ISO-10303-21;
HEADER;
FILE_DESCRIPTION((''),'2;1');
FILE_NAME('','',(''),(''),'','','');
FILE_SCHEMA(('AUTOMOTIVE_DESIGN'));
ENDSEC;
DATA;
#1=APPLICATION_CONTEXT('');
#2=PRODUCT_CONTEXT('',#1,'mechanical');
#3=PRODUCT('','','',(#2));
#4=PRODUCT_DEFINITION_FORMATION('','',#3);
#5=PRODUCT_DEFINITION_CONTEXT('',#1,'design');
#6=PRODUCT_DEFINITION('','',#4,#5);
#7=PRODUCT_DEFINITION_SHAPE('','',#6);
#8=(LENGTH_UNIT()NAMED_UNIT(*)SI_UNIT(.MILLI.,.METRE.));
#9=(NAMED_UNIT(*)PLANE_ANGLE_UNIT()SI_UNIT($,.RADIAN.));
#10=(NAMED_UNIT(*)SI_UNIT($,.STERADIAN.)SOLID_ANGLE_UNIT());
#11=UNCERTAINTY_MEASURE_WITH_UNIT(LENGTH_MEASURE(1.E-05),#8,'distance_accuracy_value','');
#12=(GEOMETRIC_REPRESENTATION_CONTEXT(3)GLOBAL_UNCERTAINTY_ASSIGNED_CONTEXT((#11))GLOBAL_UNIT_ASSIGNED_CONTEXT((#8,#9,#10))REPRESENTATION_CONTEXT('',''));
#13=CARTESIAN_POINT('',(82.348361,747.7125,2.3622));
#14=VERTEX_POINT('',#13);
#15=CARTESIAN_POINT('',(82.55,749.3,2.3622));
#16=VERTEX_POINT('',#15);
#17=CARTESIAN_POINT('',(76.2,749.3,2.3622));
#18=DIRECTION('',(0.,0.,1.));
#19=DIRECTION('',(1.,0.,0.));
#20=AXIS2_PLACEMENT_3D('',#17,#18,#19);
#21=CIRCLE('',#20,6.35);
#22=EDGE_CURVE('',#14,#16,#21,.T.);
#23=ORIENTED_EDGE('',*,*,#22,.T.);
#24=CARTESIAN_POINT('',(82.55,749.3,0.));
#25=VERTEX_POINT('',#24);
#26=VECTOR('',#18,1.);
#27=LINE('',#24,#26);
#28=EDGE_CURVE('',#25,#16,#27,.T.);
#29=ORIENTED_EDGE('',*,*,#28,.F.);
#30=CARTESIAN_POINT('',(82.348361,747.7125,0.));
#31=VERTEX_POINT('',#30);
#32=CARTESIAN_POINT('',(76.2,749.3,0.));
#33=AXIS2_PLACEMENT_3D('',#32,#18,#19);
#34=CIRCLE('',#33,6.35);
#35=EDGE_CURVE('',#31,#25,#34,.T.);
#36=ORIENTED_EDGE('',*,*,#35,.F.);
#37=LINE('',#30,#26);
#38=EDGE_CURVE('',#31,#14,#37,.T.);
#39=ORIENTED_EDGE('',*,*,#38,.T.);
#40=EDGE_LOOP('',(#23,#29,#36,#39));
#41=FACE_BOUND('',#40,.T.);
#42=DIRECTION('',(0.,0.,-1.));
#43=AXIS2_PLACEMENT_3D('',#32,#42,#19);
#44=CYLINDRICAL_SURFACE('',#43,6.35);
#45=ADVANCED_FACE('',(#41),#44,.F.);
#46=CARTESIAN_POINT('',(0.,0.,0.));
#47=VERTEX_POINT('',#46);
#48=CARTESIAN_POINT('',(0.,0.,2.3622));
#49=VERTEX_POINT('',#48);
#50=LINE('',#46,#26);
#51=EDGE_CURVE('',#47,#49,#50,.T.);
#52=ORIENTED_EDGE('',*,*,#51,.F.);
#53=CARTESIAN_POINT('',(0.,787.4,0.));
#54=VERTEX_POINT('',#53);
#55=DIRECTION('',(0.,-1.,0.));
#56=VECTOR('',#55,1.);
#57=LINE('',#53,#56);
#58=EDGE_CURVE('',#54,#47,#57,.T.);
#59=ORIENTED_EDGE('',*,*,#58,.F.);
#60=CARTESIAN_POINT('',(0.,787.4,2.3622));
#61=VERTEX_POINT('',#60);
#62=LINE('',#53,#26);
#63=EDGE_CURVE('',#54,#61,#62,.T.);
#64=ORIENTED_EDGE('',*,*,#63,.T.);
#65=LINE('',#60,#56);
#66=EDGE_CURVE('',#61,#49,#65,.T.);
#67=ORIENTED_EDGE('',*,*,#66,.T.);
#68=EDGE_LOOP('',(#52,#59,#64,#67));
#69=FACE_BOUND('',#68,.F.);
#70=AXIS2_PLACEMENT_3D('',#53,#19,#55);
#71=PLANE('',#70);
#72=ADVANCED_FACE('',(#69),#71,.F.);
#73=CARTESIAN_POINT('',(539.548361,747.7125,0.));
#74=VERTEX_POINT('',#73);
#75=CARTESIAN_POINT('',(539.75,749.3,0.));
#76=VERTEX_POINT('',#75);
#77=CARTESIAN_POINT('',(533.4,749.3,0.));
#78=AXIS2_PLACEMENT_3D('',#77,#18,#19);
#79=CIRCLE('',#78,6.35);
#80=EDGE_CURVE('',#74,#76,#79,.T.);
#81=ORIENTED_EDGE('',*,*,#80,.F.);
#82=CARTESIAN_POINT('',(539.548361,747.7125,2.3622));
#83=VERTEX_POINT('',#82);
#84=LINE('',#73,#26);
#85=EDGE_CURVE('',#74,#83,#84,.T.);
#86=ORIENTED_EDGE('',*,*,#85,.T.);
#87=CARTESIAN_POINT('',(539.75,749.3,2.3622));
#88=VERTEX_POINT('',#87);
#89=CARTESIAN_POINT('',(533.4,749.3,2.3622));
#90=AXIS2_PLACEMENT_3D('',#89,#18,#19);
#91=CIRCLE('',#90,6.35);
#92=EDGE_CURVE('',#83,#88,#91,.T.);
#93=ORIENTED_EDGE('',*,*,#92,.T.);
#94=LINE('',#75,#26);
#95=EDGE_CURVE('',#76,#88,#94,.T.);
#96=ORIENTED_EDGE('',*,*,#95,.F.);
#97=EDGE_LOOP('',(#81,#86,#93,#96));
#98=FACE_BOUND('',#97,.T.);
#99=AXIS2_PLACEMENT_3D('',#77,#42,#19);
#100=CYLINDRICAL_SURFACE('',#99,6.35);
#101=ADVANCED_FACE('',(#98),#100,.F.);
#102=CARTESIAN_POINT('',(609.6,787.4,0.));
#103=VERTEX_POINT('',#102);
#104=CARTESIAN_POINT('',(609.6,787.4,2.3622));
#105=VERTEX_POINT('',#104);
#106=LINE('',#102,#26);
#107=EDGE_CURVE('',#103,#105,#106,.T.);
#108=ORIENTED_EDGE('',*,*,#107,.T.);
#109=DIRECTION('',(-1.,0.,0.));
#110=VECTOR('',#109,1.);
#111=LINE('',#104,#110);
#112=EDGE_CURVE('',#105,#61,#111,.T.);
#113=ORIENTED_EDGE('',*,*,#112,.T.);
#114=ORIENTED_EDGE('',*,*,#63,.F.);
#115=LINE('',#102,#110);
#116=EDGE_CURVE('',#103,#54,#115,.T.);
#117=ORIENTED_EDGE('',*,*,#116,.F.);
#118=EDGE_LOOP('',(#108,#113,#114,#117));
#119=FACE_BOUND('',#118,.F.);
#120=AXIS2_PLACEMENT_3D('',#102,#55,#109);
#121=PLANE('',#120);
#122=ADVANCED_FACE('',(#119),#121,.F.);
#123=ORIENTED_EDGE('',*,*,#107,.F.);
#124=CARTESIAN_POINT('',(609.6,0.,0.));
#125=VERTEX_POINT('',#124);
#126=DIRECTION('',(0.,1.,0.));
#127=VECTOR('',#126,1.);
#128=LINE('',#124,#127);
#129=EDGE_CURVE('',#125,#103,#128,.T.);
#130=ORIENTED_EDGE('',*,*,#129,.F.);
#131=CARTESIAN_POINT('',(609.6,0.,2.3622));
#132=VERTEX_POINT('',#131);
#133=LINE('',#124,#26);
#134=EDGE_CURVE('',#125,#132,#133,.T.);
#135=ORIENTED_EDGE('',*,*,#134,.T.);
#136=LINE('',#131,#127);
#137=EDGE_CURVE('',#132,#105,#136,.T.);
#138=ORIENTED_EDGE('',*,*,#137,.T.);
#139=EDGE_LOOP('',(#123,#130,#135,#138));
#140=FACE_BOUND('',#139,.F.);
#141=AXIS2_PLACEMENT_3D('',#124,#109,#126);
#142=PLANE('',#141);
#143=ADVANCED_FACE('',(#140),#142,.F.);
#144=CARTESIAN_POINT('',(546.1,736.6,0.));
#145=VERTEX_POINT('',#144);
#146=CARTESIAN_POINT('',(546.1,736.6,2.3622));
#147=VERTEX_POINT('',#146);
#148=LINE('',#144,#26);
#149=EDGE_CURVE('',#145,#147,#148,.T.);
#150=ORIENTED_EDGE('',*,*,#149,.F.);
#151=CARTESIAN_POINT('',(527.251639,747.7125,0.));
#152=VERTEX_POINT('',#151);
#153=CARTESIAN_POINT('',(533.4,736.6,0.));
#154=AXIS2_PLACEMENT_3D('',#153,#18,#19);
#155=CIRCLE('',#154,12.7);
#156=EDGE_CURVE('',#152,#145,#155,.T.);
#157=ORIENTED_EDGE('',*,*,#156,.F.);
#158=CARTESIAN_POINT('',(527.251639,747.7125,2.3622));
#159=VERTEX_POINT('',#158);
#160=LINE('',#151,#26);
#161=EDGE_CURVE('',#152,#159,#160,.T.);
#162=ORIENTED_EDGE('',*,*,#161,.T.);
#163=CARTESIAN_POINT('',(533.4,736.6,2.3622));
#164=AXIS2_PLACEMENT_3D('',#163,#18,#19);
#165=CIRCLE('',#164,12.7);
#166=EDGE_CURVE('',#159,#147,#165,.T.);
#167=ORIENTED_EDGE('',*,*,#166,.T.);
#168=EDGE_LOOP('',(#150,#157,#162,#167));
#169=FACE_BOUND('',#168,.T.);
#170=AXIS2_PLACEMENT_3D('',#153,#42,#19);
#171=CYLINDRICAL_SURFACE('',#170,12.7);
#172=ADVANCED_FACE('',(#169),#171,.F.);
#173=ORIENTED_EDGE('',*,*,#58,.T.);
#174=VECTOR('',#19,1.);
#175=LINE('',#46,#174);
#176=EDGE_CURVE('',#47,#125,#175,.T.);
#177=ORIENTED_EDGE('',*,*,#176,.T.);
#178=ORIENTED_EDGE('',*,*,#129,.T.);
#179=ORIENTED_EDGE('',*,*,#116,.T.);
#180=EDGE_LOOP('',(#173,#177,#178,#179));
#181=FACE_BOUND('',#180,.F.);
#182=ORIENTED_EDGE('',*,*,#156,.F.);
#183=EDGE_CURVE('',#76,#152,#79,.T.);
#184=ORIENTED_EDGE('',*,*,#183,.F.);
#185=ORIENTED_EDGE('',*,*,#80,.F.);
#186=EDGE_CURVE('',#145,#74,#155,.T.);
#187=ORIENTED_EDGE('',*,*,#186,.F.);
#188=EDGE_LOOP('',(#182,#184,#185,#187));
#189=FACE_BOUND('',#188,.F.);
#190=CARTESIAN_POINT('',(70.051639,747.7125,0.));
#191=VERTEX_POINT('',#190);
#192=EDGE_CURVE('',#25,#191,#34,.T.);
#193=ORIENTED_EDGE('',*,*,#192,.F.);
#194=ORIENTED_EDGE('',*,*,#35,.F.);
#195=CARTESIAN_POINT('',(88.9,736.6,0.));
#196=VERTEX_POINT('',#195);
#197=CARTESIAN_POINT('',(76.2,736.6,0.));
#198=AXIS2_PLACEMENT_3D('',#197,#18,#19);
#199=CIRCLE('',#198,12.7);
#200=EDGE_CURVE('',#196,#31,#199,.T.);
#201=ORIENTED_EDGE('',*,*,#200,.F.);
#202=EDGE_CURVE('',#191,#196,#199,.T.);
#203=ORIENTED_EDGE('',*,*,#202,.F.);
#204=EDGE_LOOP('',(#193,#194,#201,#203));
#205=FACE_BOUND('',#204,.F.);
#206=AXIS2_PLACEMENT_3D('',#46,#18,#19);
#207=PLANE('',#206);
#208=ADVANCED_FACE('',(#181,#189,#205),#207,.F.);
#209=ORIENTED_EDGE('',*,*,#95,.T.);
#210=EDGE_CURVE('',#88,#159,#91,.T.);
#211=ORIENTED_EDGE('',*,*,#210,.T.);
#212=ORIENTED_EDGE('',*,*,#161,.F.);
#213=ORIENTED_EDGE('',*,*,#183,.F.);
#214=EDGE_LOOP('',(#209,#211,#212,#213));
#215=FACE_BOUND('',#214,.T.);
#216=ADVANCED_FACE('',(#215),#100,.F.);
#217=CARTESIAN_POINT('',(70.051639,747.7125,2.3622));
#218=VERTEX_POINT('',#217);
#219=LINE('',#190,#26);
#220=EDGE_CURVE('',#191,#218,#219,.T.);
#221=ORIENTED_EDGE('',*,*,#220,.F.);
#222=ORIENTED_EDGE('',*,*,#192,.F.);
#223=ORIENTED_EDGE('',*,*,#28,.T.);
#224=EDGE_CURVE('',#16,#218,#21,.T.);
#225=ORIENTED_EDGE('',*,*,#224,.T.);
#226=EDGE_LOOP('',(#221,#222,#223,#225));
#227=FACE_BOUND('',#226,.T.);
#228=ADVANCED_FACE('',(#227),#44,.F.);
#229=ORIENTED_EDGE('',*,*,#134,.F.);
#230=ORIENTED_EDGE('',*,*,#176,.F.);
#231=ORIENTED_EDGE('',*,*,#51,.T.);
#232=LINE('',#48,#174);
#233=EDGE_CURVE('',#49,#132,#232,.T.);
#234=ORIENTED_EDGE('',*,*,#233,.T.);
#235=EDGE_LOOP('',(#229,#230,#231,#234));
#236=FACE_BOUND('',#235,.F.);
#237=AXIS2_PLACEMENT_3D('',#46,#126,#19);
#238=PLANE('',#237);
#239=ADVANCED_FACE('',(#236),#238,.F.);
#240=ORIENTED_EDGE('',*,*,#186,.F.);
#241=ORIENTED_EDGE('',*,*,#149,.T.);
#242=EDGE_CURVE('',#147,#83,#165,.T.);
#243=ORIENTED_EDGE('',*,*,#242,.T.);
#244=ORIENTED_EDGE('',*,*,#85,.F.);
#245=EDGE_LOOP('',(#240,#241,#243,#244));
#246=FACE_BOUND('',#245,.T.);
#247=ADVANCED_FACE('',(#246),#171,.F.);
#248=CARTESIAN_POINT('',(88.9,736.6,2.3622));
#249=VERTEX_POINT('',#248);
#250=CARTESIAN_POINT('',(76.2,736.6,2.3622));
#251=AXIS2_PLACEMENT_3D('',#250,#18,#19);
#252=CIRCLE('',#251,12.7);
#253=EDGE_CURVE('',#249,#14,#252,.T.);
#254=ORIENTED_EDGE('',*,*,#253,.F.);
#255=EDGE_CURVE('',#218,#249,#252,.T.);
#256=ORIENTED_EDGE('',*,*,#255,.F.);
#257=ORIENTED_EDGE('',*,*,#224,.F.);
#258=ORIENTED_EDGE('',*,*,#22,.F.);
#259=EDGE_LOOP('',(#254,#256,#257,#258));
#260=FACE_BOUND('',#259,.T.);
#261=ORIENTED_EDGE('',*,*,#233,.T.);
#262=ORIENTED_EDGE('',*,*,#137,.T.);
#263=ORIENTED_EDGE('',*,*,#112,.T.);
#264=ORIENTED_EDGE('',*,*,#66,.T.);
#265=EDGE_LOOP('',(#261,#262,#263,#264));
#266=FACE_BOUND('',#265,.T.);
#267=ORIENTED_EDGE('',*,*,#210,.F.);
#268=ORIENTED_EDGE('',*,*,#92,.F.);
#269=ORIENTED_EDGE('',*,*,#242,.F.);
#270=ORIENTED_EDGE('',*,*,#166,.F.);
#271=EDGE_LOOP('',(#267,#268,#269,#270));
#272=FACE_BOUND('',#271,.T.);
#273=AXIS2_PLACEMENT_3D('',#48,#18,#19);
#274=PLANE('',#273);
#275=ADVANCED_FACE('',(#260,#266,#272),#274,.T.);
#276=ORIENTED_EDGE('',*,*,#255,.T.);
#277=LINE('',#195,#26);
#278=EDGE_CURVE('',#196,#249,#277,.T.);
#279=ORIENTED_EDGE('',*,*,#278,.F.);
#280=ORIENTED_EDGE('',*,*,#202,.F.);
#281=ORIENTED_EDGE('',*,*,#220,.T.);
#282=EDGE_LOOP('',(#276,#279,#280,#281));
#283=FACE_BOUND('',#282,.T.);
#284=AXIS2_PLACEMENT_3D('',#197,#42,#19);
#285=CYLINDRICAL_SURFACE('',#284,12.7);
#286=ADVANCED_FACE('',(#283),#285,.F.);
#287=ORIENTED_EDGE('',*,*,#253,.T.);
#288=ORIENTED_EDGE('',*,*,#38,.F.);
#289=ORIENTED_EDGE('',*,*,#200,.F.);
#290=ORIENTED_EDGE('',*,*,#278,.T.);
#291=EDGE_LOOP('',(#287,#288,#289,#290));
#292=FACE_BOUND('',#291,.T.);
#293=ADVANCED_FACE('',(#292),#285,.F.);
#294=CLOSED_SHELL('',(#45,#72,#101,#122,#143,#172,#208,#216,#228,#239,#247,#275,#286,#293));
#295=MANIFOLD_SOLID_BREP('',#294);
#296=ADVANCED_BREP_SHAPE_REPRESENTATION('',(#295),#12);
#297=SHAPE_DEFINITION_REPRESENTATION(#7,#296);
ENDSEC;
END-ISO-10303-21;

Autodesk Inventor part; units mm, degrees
ref_plane "YZ Plane" through (0, 0, 0) normal (1, 0, 0) x (0, 1, 0)
ref_plane "XZ Plane" through (0, 0, 0) normal (0, 1, 0) x (-1, 0, 0)
ref_plane "XY Plane" through (0, 0, 0) normal (0, 0, 1) x (1, 0, 0)
sketch "Sketch1" plane through (0, 0, 0) normal (0, 0, 1) x (1, 0, 0)
  line L0 (0, 0) -> (609.6, 0)
  line L1 (609.6, 0) -> (609.6, 787.4)
  line L2 (609.6, 787.4) -> (0, 787.4)
  line L3 (0, 787.4) -> (0, 0)
  circle A0 centre (76.2, 736.6) radius 12.7
  circle A1 centre (533.4, 736.6) radius 12.7
  circle A2 centre (76.2, 749.3) radius 6.35
  circle A3 centre (533.4, 749.3) radius 6.35
  dimension "d0" = 609.6
  dimension "d1" = 787.4
  dimension "d2" = 25.4
  dimension "d5" = 50.8
  dimension "d7" = 76.2
  dimension "d11" = 12.7
  dimension "d12" = 38.1
  dimension "d17" = 38.1
  dimension "d18" = 76.2
  dimension "d19" = 50.8
extrude "Extrusion2" add sketch "Sketch1" along normal blind 2.3622
properties part number "PlexiglassWall2ft"
